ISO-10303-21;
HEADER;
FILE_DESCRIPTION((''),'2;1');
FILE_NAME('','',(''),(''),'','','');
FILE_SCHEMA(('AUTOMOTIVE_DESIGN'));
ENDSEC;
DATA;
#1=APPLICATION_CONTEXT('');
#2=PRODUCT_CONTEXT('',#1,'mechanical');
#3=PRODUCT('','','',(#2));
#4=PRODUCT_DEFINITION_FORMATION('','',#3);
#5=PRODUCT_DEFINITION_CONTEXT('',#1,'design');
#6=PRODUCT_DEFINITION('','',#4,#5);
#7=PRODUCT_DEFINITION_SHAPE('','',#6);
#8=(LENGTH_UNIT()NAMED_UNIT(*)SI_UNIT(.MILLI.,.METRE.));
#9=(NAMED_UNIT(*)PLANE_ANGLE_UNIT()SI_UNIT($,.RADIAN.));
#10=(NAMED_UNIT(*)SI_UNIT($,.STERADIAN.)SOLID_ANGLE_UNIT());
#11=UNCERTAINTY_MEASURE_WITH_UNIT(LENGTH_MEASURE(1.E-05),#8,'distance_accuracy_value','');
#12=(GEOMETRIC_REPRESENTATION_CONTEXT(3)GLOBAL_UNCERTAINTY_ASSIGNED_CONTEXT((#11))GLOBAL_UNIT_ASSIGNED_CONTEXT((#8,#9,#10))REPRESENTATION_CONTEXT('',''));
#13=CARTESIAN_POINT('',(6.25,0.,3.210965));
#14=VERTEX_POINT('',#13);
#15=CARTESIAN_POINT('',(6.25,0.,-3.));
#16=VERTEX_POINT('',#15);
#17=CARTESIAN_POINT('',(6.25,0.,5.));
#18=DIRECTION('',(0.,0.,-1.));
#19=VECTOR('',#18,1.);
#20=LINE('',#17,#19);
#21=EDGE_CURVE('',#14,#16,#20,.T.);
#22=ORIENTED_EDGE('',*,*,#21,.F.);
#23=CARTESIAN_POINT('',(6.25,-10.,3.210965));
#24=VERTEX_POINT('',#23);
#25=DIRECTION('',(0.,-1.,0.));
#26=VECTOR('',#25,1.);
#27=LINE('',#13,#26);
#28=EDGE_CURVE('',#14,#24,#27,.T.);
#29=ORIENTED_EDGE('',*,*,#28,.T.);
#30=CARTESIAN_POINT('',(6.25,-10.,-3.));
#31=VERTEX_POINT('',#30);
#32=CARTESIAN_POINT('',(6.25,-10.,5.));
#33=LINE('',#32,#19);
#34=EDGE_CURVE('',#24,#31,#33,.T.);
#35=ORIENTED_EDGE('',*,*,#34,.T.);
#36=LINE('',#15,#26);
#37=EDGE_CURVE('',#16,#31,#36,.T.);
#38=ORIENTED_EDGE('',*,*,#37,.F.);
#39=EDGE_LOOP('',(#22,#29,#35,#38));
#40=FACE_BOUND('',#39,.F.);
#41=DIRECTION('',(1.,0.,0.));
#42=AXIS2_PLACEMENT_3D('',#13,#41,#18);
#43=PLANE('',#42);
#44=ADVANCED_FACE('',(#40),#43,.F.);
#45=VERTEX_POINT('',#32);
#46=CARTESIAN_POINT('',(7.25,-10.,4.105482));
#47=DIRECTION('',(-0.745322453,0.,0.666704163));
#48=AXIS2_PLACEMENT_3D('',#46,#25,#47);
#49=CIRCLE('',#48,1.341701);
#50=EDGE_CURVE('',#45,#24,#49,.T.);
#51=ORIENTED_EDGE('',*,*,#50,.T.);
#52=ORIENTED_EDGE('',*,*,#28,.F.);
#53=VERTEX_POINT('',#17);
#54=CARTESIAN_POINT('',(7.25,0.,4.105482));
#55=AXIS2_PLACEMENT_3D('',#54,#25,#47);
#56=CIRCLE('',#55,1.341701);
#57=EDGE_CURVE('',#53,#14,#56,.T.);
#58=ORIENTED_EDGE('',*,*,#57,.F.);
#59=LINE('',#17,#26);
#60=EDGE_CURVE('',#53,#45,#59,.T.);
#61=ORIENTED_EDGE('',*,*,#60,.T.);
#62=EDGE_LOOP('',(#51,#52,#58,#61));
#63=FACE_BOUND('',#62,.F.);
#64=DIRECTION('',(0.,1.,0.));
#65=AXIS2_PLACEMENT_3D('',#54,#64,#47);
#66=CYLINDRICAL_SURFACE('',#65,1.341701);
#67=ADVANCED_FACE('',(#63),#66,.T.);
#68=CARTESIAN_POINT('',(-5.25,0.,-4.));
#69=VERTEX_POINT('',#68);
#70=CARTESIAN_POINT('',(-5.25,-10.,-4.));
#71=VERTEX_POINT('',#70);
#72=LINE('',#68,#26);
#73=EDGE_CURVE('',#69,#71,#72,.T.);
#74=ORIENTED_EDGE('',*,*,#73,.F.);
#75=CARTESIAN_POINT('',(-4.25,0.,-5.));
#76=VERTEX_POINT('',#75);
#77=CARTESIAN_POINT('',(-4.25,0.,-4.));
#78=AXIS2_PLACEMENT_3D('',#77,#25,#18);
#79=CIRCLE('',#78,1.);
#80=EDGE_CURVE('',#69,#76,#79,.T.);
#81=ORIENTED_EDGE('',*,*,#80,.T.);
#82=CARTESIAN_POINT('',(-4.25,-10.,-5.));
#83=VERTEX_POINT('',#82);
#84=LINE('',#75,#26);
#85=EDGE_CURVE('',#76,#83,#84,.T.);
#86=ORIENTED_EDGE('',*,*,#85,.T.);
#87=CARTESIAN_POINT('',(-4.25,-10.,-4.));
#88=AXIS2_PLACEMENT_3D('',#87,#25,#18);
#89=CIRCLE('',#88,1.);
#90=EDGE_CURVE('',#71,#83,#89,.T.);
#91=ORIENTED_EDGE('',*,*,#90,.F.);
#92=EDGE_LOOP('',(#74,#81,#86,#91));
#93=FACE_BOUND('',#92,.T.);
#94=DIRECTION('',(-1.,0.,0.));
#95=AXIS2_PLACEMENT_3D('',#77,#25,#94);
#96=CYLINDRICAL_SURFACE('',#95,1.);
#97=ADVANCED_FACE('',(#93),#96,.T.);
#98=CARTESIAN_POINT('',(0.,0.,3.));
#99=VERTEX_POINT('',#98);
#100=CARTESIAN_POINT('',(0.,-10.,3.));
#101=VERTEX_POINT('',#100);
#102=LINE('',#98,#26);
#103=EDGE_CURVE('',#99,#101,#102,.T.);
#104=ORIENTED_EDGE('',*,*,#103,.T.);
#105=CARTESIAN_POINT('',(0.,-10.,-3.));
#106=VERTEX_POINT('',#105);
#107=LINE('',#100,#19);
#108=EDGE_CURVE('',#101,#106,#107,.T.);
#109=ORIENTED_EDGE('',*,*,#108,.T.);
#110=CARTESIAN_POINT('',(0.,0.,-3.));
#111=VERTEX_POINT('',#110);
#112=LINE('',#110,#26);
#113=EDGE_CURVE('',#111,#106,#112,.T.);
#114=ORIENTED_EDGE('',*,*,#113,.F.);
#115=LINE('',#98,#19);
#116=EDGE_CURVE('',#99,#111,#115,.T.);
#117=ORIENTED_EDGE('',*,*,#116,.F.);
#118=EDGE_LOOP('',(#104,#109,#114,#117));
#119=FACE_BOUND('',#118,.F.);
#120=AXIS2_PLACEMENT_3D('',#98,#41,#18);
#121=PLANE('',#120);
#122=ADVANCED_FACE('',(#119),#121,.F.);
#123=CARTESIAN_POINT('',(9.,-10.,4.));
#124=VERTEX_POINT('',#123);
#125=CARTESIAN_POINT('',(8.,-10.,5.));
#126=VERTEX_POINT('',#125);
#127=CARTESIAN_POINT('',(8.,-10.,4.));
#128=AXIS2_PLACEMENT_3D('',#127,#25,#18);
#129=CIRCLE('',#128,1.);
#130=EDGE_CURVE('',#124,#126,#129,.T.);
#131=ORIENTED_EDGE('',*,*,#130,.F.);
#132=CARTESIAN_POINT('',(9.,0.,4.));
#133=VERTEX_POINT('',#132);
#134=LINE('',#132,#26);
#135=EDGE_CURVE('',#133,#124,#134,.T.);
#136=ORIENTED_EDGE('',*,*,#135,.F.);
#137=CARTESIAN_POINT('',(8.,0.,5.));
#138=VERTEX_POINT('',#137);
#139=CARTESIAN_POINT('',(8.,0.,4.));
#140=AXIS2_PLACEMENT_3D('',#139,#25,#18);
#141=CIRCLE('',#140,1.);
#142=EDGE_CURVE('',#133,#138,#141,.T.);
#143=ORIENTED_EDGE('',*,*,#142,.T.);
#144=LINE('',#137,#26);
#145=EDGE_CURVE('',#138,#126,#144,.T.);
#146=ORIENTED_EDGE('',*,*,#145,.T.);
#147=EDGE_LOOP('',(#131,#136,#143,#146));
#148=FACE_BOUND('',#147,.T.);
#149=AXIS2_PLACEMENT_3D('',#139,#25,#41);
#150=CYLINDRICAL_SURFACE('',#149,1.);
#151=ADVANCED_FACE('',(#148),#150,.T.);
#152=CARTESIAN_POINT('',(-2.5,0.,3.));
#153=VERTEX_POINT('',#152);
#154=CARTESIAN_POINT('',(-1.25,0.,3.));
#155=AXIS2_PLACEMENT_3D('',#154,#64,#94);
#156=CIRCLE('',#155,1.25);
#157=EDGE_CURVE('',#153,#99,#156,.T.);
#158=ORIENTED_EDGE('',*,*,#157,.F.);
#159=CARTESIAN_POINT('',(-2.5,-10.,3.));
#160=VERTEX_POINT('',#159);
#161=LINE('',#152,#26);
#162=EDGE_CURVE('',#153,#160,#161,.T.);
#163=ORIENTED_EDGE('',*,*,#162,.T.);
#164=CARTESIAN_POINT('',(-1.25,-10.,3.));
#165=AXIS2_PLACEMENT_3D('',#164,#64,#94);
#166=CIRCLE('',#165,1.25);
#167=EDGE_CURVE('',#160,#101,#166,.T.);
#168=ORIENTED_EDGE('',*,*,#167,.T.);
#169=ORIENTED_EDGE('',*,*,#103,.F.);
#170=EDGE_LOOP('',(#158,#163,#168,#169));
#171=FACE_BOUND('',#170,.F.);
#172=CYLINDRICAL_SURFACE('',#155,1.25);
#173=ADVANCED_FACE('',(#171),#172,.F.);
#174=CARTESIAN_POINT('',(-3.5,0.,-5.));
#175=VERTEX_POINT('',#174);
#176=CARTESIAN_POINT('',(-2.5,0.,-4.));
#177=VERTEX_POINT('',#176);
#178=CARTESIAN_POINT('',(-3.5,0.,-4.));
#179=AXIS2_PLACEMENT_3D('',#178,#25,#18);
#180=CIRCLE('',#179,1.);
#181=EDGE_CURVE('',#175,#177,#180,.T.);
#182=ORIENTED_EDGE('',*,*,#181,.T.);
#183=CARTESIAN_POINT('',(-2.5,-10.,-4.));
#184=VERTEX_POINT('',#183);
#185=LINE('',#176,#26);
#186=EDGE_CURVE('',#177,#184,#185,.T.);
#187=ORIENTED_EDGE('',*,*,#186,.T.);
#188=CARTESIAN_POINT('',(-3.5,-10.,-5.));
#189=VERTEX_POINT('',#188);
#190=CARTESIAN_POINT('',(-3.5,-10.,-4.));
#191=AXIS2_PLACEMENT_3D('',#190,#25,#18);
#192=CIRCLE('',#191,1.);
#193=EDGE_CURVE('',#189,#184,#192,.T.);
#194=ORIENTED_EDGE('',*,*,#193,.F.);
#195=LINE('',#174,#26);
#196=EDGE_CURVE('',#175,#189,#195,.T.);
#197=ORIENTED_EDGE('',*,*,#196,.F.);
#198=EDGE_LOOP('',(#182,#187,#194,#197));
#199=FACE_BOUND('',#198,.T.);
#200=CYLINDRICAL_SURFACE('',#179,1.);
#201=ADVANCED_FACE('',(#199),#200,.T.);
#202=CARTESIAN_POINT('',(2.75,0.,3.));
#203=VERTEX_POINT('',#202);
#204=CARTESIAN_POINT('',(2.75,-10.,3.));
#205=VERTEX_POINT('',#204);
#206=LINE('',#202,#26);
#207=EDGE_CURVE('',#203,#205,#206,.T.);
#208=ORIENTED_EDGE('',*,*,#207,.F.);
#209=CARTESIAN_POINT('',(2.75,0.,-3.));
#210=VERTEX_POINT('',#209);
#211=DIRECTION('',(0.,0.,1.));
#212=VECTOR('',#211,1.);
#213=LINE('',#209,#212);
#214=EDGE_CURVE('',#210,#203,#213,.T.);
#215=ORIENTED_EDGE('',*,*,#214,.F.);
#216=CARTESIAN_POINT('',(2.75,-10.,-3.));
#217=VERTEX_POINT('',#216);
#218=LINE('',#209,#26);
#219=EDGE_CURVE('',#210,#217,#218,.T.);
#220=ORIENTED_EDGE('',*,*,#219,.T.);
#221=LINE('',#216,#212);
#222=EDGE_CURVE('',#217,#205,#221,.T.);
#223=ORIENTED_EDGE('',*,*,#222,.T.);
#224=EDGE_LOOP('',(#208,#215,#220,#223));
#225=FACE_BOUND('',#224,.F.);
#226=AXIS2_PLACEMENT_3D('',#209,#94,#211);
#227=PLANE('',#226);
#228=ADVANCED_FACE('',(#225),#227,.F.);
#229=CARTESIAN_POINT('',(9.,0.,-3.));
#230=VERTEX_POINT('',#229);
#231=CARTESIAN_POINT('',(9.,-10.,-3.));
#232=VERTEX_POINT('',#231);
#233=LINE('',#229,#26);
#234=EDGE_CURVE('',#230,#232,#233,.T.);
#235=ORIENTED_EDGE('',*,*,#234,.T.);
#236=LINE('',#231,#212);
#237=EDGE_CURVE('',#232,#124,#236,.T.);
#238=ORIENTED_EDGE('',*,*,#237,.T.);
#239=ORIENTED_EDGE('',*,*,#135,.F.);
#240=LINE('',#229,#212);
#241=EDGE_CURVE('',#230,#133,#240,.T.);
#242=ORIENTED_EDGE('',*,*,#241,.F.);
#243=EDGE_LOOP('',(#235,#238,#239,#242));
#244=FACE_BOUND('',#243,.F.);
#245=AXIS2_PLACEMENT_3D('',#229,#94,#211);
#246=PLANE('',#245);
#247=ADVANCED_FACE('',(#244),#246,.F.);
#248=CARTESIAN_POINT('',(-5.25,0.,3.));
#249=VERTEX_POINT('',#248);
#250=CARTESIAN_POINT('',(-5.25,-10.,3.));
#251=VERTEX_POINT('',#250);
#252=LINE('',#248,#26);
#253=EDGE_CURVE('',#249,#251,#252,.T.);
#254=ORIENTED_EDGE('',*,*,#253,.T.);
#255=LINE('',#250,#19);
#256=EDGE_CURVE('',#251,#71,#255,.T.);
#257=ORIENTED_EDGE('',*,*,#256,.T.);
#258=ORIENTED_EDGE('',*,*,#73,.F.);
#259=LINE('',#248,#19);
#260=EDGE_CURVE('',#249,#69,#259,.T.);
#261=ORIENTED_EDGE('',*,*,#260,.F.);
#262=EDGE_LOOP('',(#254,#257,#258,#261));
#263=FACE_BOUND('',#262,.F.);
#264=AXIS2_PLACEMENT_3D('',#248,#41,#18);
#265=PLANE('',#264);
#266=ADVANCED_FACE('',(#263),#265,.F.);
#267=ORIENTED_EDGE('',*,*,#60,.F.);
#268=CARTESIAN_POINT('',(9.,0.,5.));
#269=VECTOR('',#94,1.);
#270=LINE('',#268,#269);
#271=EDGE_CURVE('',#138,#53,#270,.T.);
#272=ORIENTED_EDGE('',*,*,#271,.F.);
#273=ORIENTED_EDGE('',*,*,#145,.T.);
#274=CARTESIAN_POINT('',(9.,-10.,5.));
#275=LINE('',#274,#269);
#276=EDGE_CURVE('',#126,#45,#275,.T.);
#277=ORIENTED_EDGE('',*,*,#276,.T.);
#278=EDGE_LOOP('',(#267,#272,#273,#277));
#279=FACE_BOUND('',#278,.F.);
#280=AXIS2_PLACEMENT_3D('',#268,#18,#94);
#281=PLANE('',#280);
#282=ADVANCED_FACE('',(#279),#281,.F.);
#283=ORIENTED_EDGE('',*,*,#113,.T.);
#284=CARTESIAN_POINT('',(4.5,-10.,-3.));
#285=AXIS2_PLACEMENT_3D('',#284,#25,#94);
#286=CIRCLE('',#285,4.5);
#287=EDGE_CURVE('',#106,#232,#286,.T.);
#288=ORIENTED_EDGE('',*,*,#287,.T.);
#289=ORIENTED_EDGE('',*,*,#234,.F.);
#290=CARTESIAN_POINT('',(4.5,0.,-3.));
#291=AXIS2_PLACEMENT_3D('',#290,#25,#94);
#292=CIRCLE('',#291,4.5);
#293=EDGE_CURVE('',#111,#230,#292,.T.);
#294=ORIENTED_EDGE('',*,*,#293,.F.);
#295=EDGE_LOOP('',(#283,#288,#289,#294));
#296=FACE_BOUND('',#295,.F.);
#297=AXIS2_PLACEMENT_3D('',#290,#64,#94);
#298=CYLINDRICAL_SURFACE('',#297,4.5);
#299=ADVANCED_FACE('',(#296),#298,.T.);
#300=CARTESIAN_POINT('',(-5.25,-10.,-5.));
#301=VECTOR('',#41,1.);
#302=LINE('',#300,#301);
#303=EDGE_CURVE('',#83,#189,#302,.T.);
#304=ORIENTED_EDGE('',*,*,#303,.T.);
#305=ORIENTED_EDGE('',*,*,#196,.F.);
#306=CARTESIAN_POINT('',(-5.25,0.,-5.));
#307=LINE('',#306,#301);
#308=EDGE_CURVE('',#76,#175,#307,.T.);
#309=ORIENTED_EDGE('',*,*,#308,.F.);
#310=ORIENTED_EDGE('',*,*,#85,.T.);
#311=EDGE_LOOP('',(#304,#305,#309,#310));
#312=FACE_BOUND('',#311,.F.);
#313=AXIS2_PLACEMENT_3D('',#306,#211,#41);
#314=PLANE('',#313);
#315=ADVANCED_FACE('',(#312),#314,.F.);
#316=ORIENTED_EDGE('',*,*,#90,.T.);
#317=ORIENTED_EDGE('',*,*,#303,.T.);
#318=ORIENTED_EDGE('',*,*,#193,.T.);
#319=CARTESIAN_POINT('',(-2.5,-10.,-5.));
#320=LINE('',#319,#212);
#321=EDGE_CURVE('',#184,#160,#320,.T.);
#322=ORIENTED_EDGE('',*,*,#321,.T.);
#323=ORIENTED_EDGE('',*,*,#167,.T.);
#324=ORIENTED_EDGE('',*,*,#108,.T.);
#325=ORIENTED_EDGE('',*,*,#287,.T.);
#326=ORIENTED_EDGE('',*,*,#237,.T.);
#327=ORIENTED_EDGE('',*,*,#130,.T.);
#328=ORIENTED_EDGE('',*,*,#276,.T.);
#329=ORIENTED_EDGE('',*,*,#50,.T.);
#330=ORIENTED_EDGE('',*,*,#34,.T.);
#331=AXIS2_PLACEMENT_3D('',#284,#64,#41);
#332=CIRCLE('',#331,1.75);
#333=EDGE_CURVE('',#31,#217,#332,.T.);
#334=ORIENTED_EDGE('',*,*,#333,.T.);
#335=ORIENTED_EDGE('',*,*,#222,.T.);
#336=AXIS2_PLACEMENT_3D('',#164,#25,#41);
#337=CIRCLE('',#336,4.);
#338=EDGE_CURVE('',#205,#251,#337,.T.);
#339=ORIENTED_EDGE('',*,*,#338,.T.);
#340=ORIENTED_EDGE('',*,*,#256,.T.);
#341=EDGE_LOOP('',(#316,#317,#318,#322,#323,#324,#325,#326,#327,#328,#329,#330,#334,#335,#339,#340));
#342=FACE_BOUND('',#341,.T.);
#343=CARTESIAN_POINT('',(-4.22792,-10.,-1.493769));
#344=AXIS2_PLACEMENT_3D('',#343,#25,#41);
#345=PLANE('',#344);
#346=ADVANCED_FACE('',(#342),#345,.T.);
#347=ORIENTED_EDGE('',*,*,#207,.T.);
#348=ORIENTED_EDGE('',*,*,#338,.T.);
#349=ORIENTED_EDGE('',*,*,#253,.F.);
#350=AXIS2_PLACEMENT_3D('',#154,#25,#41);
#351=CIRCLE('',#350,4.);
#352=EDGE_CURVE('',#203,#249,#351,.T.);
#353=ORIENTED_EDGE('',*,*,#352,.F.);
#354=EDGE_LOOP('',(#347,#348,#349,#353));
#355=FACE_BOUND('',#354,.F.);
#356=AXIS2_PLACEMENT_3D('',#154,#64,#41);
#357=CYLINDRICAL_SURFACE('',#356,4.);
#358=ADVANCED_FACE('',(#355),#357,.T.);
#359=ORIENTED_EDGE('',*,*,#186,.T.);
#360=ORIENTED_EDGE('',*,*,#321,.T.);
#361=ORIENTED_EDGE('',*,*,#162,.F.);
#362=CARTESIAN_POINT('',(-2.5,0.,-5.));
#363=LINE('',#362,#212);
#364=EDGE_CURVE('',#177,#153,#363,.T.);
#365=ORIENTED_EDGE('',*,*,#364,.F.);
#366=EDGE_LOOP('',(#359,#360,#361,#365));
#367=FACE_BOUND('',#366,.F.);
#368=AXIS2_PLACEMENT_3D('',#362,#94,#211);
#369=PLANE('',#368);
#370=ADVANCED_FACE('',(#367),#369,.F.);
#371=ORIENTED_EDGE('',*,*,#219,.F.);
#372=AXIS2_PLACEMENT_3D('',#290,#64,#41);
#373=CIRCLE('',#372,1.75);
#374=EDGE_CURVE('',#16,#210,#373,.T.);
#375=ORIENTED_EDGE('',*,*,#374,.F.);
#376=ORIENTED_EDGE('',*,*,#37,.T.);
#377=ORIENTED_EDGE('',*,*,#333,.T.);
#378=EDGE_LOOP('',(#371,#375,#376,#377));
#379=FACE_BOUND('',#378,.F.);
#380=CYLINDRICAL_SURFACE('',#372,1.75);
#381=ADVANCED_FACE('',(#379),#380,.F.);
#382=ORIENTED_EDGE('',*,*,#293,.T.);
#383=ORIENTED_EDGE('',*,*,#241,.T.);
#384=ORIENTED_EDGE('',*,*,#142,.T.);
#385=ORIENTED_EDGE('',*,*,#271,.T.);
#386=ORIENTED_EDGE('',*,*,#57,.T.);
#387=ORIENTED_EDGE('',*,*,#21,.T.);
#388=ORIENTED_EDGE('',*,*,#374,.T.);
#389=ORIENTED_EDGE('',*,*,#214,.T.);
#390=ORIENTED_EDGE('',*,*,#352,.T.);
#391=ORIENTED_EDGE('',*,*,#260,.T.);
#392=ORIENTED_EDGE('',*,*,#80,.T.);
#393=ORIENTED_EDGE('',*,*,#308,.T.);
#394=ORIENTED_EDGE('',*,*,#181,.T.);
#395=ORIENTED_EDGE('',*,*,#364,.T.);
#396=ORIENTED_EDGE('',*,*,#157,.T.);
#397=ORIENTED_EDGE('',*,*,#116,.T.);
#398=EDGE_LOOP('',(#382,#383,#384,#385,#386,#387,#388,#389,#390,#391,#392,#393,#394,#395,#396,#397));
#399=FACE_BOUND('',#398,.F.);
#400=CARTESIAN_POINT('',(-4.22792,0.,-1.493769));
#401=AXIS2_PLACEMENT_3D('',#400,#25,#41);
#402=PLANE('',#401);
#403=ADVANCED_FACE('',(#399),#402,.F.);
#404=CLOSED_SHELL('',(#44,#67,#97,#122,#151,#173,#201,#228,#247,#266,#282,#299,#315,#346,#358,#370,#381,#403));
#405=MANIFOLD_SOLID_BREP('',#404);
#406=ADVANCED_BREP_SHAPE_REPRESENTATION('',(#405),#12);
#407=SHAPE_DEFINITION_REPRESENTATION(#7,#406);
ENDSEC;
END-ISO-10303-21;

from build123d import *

# Parameters (mm, degrees)
F1_DEPTH = 10
F2_R     = 1


with BuildPart() as f1:
    # F0 (on Front) → F1 (new body)
    with BuildSketch(Plane.XZ):
        with BuildLine():
            Line((-2.5, -5), (-2.5, -0.7996710384))
            ThreePointArc((-2.5, -0.7996710384), (-4.4903703492, 0.6547921201), (-5.25, 3))
            Line((-5.25, 3), (-5.25, -5))
            Line((-5.25, -5), (-2.5, -5))
        make_face()
        with BuildLine():
            ThreePointArc((-2.5, 3), (-1.25, 4.25), (0, 3))
            Line((0, 3), (0, -0.7996710384))
            ThreePointArc((0, -0.7996710384), (0.4125701881, -0.6381121986), (0.804741116, -0.4319147638))
            ThreePointArc((0.804741116, -0.4319147638), (1.3864258654, 0.248946923), (2.0914127302, 0.8011455331))
            ThreePointArc((2.0914127302, 0.8011455331), (2.581817514, 1.8523177532), (2.75, 3))
            ThreePointArc((2.75, 3), (-1.25, 7), (-5.25, 3))
            ThreePointArc((-5.25, 3), (-4.4903703492, 0.6547921201), (-2.5, -0.7996710384))
            Line((-2.5, -0.7996710384), (-2.5, 3))
        make_face()
        with BuildLine():
            ThreePointArc((2.0914127302, 0.8011455331), (1.5176214529, 0.1120471795), (0.804741116, -0.4319147638))
            ThreePointArc((0.804741116, -0.4319147638), (0.2058956127, -1.6543895397), (0, -3))
            ThreePointArc((0, -3), (4.5, -7.5), (9, -3))
            ThreePointArc((9, -3), (8.25, -0.5125314072), (6.25, 1.1457809879))
            Line((6.25, 1.1457809879), (6.25, -3))
            ThreePointArc((6.25, -3), (4.5, -4.75), (2.75, -3))
            Line((2.75, -3), (2.75, 1.1457809879))
            ThreePointArc((2.75, 1.1457809879), (2.4135783218, 0.987084722), (2.0914127302, 0.8011455331))
        make_face()
        with BuildLine():
            Line((6.25, 5), (6.25, 3.2109645009))
            ThreePointArc((6.25, 3.2109645009), (7.7287801394, 2.8521141551), (8.5917011606, 4.1054822505))
            ThreePointArc((8.5917011606, 4.1054822505), (8.5033680953, 4.5842623898), (8.25, 5))
            Line((8.25, 5), (6.25, 5))
        make_face()
        with BuildLine():
            ThreePointArc((6.25, 1.1457809879), (8.25, -0.5125314072), (9, -3))
            Line((9, -3), (9, 5))
            Line((9, 5), (8.25, 5))
            ThreePointArc((8.25, 5), (8.5033680953, 4.5842623898), (8.5917011606, 4.1054822505))
            ThreePointArc((8.5917011606, 4.1054822505), (7.7287801394, 2.8521141551), (6.25, 3.2109645009))
            Line((6.25, 3.2109645009), (6.25, 1.1457809879))
        make_face()
        with BuildLine():
            ThreePointArc((2.75, 3), (2.581817514, 1.8523177532), (2.0914127302, 0.8011455331))
            ThreePointArc((2.0914127302, 0.8011455331), (2.4135783218, 0.987084722), (2.75, 1.1457809879))
            Line((2.75, 1.1457809879), (2.75, 3))
        make_face()
        with BuildLine():
            ThreePointArc((2.0914127302, 0.8011455331), (1.3864258654, 0.248946923), (0.804741116, -0.4319147638))
            ThreePointArc((0.804741116, -0.4319147638), (1.5176214529, 0.1120471795), (2.0914127302, 0.8011455331))
        make_face()
        with BuildLine():
            ThreePointArc((0.804741116, -0.4319147638), (0.4125701881, -0.6381121986), (0, -0.7996710384))
            Line((0, -0.7996710384), (0, -3))
            ThreePointArc((0, -3), (0.2058956127, -1.6543895397), (0.804741116, -0.4319147638))
        make_face()
        with BuildLine():
            ThreePointArc((6.25, 5), (5.9082988394, 4.1054822505), (6.25, 3.2109645009))
            Line((6.25, 3.2109645009), (6.25, 5))
        make_face()
    extrude(amount=F1_DEPTH)

    # F2
    f2_edges = [f1.edges().sort_by_distance(p)[0] for p in [
        (-2.5, -5, -5),
        (-5.25, -5, -5),
        (9, -5, 5),
    ]]
    fillet(f2_edges, radius=F2_R)


solid = f1.part
